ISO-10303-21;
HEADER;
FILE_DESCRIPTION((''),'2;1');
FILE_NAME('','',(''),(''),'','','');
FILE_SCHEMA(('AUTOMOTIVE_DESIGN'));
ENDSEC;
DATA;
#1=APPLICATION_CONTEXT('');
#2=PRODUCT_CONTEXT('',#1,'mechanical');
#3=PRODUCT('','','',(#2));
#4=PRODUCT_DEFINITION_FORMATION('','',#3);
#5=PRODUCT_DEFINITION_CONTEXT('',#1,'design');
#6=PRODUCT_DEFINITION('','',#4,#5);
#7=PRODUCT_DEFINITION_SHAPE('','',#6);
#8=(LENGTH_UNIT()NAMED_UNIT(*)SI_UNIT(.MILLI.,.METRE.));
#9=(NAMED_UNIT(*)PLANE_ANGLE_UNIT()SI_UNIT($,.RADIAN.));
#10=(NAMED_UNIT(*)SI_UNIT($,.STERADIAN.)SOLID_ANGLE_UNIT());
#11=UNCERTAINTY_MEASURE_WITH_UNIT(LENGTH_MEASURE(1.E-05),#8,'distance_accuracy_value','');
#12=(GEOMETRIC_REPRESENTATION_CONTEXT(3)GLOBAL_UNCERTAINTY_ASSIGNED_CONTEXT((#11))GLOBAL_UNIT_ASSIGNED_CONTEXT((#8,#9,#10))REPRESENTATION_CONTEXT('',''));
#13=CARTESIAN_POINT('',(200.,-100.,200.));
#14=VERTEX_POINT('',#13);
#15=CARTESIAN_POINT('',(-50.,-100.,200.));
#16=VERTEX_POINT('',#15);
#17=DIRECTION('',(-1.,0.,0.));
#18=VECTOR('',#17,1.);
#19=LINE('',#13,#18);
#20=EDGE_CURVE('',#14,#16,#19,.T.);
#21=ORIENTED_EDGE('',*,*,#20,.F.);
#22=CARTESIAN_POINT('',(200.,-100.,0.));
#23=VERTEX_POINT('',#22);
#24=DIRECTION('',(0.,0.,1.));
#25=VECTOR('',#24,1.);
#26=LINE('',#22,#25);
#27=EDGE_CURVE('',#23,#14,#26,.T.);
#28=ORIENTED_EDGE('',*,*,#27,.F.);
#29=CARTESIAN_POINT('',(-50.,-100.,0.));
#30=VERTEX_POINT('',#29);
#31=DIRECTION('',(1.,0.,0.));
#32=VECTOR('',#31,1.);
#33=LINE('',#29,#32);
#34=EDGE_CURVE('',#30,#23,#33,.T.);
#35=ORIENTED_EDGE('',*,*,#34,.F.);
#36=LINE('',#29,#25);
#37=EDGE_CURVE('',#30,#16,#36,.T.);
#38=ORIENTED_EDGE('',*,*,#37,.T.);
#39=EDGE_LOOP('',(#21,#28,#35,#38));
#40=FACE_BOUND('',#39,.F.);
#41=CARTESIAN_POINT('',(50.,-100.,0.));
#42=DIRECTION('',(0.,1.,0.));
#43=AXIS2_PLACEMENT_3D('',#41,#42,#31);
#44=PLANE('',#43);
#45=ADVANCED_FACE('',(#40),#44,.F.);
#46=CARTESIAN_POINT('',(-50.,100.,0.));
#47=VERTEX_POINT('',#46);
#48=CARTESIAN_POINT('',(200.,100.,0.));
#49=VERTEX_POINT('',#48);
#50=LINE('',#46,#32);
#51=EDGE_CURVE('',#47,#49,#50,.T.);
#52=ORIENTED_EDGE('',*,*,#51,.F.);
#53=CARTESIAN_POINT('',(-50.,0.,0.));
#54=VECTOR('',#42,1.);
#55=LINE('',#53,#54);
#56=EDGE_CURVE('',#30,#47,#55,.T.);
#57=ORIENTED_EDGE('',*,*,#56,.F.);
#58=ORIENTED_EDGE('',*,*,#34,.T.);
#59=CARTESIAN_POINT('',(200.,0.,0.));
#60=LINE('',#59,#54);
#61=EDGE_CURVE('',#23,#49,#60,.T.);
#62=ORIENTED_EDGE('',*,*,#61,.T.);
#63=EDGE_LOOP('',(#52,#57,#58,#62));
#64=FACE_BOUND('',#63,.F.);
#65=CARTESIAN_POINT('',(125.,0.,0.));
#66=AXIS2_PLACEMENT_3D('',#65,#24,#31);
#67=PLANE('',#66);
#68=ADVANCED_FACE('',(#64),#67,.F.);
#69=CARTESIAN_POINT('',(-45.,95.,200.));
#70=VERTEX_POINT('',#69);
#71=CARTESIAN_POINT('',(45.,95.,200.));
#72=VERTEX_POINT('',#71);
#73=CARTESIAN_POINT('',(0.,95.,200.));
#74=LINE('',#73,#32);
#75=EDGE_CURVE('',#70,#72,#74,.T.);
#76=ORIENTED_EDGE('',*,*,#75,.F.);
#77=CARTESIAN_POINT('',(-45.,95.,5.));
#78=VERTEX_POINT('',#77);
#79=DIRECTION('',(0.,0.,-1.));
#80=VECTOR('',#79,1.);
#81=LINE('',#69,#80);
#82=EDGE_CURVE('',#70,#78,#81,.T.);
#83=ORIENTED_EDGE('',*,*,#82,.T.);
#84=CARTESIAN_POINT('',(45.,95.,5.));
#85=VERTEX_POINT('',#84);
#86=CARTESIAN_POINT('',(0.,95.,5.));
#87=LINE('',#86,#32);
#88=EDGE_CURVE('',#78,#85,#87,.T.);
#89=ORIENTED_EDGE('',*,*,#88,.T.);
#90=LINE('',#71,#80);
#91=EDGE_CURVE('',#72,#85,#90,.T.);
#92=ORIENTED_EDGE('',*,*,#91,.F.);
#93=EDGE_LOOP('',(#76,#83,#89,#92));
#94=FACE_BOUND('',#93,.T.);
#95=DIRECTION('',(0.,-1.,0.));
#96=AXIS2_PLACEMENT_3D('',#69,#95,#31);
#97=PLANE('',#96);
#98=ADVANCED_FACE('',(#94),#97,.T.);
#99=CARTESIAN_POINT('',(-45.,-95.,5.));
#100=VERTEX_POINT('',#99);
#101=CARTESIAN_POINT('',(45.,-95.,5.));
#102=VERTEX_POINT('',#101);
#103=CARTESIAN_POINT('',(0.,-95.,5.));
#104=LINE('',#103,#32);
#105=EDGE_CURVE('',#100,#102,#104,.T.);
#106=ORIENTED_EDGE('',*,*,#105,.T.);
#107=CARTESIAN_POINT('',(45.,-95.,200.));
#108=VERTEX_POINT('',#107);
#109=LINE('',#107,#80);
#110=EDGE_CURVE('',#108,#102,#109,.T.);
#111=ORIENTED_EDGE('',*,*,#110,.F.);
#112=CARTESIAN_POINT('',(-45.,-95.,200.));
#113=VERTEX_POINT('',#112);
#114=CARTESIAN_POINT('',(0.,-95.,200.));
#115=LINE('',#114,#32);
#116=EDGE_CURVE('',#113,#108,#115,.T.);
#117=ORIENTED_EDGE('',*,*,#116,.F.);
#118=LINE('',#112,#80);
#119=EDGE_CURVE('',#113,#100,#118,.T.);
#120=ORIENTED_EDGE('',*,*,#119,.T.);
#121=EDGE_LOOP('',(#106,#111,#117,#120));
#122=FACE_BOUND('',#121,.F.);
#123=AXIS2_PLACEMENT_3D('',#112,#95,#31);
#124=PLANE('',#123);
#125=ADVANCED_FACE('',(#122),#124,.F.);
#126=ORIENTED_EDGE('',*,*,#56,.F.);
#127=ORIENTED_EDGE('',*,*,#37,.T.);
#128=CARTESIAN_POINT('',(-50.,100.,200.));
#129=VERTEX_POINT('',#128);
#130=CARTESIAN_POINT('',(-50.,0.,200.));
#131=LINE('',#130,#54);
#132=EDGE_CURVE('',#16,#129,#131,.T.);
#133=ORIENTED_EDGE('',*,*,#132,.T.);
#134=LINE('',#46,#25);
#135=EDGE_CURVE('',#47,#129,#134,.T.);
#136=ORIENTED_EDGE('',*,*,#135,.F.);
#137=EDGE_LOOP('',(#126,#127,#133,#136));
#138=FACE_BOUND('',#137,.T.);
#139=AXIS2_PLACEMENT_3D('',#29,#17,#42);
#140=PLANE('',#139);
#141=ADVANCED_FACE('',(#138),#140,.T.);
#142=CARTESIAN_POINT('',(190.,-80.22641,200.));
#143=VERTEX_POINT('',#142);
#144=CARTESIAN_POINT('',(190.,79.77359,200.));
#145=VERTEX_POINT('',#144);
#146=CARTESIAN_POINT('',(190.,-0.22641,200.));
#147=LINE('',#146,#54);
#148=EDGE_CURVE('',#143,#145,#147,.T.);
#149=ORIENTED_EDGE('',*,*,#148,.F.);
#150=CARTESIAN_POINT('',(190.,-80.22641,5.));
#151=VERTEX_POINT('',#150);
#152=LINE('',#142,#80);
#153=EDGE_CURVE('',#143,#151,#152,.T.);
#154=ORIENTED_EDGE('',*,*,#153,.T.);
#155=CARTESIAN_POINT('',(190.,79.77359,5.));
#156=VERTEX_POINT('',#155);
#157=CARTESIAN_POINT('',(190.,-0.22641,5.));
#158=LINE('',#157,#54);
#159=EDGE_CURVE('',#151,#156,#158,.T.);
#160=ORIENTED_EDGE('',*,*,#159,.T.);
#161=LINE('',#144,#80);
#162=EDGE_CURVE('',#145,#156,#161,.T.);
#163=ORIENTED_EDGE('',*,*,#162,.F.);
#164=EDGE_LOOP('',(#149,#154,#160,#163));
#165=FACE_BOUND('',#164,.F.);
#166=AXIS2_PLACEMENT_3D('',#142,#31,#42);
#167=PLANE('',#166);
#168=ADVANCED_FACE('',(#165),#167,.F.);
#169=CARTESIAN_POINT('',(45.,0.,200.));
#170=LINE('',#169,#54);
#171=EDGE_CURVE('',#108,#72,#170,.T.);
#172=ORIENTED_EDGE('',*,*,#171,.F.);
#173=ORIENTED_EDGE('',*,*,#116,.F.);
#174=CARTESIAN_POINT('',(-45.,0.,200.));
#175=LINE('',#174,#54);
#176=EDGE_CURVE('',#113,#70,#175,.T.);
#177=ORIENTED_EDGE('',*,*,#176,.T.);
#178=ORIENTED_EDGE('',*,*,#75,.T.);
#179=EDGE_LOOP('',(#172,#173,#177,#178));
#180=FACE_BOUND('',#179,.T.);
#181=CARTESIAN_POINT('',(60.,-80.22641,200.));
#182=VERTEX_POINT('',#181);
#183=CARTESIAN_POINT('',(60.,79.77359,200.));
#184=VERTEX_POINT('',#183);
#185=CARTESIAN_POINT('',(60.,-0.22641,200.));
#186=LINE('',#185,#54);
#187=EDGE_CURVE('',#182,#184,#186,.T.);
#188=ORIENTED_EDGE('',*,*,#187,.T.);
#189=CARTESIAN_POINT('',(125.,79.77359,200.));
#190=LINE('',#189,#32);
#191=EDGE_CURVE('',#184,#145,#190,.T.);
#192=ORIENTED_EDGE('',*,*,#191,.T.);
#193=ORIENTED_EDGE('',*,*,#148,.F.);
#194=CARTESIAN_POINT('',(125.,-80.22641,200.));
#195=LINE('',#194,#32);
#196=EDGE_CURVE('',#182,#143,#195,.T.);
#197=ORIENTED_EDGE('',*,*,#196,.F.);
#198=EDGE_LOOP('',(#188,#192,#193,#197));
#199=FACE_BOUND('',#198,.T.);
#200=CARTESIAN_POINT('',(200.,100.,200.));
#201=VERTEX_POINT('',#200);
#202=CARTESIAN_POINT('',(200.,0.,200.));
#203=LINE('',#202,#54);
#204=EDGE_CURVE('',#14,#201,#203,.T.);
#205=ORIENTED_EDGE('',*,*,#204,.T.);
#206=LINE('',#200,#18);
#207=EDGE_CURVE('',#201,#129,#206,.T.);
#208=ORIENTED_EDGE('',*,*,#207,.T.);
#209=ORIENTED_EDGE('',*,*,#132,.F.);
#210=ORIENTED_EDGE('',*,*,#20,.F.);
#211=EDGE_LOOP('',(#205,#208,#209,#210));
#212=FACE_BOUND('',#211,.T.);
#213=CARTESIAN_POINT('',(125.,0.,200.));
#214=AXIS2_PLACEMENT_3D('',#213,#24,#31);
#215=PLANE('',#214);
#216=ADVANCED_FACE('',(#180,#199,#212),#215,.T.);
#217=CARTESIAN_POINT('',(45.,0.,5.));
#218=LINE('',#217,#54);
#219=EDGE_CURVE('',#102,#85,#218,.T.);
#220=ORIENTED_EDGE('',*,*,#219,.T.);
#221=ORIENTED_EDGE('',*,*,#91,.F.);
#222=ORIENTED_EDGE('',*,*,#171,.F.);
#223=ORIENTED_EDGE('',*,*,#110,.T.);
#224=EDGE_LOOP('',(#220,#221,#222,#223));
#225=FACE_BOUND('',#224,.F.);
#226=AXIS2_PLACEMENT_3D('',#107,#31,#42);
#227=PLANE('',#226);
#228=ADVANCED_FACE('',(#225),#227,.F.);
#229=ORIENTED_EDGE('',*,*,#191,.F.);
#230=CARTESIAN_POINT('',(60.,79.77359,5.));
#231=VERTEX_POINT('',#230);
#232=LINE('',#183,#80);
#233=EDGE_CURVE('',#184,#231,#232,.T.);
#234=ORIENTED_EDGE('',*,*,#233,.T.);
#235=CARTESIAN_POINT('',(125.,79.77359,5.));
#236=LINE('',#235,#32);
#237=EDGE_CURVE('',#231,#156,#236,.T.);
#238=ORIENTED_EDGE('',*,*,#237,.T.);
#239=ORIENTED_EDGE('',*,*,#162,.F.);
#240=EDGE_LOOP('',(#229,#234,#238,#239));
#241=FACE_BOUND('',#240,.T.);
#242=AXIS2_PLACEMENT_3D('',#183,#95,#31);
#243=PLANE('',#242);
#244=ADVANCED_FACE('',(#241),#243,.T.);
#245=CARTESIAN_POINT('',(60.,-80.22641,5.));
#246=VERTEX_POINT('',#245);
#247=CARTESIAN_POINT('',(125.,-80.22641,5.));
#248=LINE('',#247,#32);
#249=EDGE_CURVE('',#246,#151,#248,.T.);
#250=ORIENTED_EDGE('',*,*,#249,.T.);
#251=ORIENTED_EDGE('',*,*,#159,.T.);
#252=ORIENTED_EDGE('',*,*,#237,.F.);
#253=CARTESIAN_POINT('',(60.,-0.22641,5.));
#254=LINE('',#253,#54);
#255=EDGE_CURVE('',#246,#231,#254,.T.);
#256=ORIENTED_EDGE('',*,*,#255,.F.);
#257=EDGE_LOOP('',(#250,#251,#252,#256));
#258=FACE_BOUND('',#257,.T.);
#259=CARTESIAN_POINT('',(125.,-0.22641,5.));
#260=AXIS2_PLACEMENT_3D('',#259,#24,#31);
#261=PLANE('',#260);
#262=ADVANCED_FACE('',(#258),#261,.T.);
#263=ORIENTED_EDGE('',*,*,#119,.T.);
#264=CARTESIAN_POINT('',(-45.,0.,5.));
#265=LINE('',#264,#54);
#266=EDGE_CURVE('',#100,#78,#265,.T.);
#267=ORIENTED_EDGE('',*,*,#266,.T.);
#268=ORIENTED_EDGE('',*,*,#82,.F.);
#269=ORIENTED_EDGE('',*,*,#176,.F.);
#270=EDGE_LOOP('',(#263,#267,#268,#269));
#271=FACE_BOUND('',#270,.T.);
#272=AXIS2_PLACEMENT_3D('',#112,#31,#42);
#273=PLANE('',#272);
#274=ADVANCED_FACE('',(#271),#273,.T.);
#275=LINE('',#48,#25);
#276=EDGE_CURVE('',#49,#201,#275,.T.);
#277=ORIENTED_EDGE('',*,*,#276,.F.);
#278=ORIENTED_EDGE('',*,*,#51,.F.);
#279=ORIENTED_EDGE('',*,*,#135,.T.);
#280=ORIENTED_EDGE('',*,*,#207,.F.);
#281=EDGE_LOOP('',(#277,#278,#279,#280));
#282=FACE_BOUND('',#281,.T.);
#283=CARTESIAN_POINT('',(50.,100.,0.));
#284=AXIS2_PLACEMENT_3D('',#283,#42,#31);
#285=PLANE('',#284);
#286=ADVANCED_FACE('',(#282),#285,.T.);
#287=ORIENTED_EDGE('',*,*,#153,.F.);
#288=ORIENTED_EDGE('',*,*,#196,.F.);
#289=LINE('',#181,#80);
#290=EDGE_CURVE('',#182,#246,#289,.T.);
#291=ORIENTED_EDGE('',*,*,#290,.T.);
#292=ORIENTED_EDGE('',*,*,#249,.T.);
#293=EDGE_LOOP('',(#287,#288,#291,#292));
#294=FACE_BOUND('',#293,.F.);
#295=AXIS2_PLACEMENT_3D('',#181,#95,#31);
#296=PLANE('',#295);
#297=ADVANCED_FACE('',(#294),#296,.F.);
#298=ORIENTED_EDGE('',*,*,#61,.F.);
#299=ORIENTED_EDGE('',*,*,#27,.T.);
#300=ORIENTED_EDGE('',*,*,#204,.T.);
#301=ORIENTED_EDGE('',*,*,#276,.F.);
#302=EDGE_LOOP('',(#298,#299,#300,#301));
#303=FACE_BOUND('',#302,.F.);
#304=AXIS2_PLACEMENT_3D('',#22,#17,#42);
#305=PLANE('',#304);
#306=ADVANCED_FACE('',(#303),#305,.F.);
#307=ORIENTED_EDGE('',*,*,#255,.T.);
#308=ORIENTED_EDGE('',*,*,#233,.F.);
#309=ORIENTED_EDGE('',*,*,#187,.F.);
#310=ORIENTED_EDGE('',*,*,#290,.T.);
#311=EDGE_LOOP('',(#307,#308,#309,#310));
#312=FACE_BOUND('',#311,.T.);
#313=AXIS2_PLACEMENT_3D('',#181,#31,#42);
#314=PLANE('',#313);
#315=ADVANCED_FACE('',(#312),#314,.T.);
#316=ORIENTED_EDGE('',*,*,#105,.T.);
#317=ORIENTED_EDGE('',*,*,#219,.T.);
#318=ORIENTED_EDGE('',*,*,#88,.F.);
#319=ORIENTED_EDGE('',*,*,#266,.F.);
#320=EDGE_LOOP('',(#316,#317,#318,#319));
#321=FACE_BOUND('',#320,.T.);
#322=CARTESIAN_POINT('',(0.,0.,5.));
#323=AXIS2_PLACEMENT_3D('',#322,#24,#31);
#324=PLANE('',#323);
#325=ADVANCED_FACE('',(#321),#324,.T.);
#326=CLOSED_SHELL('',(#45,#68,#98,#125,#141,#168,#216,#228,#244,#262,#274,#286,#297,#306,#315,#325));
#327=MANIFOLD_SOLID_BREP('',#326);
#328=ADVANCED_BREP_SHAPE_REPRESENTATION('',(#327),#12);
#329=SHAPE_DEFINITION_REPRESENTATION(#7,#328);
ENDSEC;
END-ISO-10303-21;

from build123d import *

# Parameters (mm, degrees)
F0_W     = 100
F0_H     = 200
F1_DEPTH = 200
F0_W_2   = 150
F2_DEPTH = 200
F3_W     = 90
F3_H     = 190
F4_DEPTH = 195
F5_W     = 100
F5_H     = 130
F7_DEPTH = 195
F6_W     = 130
F6_H     = 160
F6_W_2   = 100
F6_H_2   = 130
F8_DEPTH = 195


with BuildPart() as f1:
    # F0 (on Top) → F1 (new body)
    with BuildSketch(Plane.XY):
        Rectangle(F0_W, F0_H)
    extrude(amount=F1_DEPTH)

    # F0 (on Top) → F2 (join)
    with BuildSketch(Plane.XY):
        with Locations((125, 0)):
            Rectangle(F0_W_2, F0_H)
    extrude(amount=F2_DEPTH)

    # F3 (on face) → F4 (cut)
    with BuildSketch(Plane.XY.offset(200)):
        Rectangle(F3_W, F3_H)
    extrude(amount=-F4_DEPTH, mode=Mode.SUBTRACT)

    # F5 (on face) → F7 (cut)
    with BuildSketch(Plane.XY.offset(200)):
        with Locations((125, -0.22641)):
            Rectangle(F5_W, F5_H)
    extrude(amount=-F7_DEPTH, mode=Mode.SUBTRACT)

    # F6 (on face) → F8 (cut)
    with BuildSketch(Plane.XY.offset(200)):
        with Locations((125, -0.22641)):
            Rectangle(F6_W, F6_H)
        with Locations((125, -0.22641)):
            Rectangle(F6_W, F6_H)
        with Locations((125, -0.22641)):
            Rectangle(F6_W_2, F6_H_2, mode=Mode.SUBTRACT)
    extrude(amount=-F8_DEPTH, mode=Mode.SUBTRACT)


solid = f1.part
